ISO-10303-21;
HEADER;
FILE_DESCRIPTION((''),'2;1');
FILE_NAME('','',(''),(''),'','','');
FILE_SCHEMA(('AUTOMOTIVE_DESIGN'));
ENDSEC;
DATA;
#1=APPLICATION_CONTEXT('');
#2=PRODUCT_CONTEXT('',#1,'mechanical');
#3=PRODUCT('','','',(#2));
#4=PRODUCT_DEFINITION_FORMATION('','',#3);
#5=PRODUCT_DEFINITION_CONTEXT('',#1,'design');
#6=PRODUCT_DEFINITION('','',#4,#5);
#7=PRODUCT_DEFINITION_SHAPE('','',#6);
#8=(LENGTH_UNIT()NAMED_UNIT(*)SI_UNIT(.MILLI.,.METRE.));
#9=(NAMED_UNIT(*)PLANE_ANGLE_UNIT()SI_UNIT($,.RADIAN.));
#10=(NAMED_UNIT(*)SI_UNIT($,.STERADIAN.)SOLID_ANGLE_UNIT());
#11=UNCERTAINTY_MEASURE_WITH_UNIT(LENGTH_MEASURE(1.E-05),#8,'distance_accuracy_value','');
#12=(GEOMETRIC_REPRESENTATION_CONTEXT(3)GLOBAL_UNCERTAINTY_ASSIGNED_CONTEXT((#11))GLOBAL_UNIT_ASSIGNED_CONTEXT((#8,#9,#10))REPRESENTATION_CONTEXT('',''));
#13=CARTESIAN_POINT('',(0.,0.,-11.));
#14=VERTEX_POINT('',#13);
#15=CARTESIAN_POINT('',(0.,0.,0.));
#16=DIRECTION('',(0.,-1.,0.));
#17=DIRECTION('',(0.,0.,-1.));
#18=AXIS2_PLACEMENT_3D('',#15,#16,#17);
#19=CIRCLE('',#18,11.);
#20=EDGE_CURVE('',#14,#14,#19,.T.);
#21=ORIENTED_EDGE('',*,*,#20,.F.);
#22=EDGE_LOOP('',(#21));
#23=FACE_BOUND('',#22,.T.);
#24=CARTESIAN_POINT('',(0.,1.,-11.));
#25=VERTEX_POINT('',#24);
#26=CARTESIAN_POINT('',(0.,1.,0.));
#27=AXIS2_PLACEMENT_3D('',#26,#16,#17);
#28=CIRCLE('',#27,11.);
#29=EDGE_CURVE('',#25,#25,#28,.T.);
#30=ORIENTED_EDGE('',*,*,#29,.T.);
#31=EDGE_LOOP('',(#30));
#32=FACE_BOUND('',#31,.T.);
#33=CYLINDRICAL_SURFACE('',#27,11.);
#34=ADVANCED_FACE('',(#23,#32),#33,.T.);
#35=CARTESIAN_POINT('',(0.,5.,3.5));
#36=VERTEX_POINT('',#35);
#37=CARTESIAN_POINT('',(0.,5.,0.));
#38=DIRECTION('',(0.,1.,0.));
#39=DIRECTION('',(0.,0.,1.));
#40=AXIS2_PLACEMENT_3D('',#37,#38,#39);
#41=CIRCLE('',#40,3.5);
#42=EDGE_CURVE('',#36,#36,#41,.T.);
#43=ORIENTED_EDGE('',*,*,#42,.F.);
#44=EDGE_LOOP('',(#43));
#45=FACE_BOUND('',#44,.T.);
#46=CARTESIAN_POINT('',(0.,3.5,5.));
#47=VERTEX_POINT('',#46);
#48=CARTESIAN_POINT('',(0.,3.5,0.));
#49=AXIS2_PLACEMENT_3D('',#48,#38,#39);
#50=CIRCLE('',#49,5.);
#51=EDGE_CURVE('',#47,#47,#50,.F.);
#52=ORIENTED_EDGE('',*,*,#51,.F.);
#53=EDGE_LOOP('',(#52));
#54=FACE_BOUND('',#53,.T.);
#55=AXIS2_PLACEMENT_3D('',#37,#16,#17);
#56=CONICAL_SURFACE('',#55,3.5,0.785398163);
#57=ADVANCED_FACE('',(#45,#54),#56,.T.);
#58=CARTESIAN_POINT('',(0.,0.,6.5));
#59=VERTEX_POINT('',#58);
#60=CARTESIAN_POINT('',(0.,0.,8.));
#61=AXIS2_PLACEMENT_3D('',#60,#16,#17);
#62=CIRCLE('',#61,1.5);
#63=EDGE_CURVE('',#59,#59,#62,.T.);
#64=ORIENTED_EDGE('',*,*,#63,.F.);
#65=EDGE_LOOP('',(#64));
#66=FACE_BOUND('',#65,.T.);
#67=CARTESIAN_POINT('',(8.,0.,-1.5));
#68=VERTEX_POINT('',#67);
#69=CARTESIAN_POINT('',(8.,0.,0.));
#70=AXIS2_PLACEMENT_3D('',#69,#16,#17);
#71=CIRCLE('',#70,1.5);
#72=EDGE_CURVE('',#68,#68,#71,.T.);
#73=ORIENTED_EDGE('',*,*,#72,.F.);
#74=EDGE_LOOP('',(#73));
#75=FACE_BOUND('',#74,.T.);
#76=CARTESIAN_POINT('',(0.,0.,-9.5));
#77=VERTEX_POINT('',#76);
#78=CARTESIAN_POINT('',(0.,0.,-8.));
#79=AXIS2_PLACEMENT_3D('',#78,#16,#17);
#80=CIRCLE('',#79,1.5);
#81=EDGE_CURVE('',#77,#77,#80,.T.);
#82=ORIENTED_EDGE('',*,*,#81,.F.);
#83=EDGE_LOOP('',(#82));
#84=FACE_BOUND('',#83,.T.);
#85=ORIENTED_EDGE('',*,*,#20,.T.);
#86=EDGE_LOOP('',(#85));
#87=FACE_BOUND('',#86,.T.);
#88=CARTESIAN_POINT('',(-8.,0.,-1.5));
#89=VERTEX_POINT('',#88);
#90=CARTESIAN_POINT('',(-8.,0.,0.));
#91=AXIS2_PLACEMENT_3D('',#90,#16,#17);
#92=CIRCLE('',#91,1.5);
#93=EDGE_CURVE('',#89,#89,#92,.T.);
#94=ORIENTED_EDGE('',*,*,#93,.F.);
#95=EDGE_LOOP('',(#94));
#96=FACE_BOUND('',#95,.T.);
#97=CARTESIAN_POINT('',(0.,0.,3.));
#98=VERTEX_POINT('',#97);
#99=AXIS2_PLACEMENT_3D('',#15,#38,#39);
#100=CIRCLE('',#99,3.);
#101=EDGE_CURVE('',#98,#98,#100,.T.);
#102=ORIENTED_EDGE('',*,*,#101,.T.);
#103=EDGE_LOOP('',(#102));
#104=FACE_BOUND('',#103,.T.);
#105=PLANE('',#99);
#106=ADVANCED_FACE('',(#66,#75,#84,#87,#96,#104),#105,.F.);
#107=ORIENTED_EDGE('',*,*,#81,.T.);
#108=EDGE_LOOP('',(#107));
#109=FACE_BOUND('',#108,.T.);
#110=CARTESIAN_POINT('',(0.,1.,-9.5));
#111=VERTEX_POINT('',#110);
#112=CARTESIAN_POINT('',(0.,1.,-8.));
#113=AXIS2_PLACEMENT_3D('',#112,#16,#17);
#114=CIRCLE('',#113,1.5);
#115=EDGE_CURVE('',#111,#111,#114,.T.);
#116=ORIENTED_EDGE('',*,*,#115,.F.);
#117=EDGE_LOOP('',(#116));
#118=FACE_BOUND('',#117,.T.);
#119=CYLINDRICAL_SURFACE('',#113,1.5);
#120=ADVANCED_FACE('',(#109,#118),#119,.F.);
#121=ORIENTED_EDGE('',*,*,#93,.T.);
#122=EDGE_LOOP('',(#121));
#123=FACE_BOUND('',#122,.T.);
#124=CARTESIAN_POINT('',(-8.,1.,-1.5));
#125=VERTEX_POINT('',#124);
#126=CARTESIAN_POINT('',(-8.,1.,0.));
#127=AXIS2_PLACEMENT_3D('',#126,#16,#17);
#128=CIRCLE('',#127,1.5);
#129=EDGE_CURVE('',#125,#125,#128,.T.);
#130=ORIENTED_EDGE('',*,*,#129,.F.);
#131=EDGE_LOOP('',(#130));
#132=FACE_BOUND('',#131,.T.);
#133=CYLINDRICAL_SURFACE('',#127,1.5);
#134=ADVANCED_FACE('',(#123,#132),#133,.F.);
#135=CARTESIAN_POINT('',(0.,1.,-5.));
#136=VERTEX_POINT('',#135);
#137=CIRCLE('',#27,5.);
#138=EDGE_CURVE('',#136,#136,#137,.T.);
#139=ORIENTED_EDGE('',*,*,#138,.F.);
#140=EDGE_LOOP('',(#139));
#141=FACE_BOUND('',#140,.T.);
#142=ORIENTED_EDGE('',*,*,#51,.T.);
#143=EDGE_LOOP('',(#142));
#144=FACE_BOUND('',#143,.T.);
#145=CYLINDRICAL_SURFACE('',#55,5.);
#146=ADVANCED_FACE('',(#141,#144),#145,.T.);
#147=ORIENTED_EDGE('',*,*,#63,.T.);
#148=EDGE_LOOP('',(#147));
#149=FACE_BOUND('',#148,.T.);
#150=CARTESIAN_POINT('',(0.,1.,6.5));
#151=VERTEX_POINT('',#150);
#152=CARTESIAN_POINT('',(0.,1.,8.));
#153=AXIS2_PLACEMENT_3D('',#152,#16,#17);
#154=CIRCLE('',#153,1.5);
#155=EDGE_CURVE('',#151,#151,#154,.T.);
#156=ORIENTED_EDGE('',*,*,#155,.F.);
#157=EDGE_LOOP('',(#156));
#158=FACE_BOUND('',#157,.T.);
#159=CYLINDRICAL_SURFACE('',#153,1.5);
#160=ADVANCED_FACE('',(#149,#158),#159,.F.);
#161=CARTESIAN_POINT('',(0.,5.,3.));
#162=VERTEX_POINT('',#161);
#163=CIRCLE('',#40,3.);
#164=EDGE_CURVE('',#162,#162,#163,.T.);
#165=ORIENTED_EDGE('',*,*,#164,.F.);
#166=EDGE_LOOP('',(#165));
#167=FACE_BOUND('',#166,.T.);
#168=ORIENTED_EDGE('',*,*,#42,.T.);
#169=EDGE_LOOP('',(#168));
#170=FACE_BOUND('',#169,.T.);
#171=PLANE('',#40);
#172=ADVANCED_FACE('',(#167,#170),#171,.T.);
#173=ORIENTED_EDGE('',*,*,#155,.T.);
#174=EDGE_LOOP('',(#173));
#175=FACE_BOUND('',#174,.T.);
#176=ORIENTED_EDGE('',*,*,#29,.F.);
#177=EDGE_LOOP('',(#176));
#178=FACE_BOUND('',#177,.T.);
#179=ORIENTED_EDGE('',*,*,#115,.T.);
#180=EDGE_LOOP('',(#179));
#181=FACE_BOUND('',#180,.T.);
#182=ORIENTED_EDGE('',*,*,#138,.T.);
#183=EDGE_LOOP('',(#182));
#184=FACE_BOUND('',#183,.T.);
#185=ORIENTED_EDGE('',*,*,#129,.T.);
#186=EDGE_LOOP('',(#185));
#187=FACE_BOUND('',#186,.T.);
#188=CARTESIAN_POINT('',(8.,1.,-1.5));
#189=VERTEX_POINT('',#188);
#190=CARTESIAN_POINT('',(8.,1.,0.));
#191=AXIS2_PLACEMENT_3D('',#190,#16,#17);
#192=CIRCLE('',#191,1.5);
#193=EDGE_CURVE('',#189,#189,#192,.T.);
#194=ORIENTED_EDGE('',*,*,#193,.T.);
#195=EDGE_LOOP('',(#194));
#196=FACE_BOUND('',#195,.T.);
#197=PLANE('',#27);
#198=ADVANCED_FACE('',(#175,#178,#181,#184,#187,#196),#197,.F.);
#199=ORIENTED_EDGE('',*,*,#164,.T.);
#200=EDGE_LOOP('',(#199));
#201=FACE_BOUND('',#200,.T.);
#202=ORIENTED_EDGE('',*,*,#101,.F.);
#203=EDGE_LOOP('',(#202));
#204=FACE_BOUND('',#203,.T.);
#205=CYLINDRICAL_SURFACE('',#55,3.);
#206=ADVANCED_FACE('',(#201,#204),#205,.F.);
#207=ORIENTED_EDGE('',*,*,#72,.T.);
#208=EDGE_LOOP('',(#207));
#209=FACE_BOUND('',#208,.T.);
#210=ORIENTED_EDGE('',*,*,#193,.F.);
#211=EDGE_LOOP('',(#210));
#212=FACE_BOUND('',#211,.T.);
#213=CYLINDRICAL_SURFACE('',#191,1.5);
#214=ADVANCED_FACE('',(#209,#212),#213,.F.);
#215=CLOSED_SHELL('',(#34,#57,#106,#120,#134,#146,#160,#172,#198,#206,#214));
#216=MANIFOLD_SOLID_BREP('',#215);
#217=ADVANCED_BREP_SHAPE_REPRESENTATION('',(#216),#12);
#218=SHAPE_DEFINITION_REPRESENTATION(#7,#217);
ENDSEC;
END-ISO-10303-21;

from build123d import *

# Parameters (mm, degrees)
SKETCH1_R           = 5
SKETCH1_R_2         = 3
BOSS_EXTRUDE1_DEPTH = 5
CHAMFER1_SIZE       = 1.5
SKETCH2_R           = 11
SKETCH2_R_2         = 5
SKETCH2_R_3         = 1.5
BOSS_EXTRUDE2_DEPTH = 1


with BuildPart() as part:
    # Sketch1 → Boss-Extrude1 (new body)
    with BuildSketch(Plane(origin=(0, 0, 0), x_dir=(1, 0, 0), z_dir=(0, 1, 0))):
        Circle(SKETCH1_R)
        Circle(SKETCH1_R_2, mode=Mode.SUBTRACT)
    extrude(amount=BOSS_EXTRUDE1_DEPTH)

    # Chamfer1
    chamfer1_edges = [part.edges().sort_by_distance(p)[0] for p in [
        (-5, 5, 0),
    ]]
    chamfer(chamfer1_edges, length=CHAMFER1_SIZE)

    # Sketch2 → Boss-Extrude2 (add)
    with BuildSketch(Plane.XZ):
        Circle(SKETCH2_R)
        Circle(SKETCH2_R_2, mode=Mode.SUBTRACT)
        with Locations((0, 8)):
            Circle(SKETCH2_R_3, mode=Mode.SUBTRACT)
        with Locations((-8, 0)):
            Circle(SKETCH2_R_3, mode=Mode.SUBTRACT)
        with Locations((0, -8)):
            Circle(SKETCH2_R_3, mode=Mode.SUBTRACT)
        with Locations((8, 0)):
            Circle(SKETCH2_R_3, mode=Mode.SUBTRACT)
    extrude(amount=-BOSS_EXTRUDE2_DEPTH)


solid = part.part
